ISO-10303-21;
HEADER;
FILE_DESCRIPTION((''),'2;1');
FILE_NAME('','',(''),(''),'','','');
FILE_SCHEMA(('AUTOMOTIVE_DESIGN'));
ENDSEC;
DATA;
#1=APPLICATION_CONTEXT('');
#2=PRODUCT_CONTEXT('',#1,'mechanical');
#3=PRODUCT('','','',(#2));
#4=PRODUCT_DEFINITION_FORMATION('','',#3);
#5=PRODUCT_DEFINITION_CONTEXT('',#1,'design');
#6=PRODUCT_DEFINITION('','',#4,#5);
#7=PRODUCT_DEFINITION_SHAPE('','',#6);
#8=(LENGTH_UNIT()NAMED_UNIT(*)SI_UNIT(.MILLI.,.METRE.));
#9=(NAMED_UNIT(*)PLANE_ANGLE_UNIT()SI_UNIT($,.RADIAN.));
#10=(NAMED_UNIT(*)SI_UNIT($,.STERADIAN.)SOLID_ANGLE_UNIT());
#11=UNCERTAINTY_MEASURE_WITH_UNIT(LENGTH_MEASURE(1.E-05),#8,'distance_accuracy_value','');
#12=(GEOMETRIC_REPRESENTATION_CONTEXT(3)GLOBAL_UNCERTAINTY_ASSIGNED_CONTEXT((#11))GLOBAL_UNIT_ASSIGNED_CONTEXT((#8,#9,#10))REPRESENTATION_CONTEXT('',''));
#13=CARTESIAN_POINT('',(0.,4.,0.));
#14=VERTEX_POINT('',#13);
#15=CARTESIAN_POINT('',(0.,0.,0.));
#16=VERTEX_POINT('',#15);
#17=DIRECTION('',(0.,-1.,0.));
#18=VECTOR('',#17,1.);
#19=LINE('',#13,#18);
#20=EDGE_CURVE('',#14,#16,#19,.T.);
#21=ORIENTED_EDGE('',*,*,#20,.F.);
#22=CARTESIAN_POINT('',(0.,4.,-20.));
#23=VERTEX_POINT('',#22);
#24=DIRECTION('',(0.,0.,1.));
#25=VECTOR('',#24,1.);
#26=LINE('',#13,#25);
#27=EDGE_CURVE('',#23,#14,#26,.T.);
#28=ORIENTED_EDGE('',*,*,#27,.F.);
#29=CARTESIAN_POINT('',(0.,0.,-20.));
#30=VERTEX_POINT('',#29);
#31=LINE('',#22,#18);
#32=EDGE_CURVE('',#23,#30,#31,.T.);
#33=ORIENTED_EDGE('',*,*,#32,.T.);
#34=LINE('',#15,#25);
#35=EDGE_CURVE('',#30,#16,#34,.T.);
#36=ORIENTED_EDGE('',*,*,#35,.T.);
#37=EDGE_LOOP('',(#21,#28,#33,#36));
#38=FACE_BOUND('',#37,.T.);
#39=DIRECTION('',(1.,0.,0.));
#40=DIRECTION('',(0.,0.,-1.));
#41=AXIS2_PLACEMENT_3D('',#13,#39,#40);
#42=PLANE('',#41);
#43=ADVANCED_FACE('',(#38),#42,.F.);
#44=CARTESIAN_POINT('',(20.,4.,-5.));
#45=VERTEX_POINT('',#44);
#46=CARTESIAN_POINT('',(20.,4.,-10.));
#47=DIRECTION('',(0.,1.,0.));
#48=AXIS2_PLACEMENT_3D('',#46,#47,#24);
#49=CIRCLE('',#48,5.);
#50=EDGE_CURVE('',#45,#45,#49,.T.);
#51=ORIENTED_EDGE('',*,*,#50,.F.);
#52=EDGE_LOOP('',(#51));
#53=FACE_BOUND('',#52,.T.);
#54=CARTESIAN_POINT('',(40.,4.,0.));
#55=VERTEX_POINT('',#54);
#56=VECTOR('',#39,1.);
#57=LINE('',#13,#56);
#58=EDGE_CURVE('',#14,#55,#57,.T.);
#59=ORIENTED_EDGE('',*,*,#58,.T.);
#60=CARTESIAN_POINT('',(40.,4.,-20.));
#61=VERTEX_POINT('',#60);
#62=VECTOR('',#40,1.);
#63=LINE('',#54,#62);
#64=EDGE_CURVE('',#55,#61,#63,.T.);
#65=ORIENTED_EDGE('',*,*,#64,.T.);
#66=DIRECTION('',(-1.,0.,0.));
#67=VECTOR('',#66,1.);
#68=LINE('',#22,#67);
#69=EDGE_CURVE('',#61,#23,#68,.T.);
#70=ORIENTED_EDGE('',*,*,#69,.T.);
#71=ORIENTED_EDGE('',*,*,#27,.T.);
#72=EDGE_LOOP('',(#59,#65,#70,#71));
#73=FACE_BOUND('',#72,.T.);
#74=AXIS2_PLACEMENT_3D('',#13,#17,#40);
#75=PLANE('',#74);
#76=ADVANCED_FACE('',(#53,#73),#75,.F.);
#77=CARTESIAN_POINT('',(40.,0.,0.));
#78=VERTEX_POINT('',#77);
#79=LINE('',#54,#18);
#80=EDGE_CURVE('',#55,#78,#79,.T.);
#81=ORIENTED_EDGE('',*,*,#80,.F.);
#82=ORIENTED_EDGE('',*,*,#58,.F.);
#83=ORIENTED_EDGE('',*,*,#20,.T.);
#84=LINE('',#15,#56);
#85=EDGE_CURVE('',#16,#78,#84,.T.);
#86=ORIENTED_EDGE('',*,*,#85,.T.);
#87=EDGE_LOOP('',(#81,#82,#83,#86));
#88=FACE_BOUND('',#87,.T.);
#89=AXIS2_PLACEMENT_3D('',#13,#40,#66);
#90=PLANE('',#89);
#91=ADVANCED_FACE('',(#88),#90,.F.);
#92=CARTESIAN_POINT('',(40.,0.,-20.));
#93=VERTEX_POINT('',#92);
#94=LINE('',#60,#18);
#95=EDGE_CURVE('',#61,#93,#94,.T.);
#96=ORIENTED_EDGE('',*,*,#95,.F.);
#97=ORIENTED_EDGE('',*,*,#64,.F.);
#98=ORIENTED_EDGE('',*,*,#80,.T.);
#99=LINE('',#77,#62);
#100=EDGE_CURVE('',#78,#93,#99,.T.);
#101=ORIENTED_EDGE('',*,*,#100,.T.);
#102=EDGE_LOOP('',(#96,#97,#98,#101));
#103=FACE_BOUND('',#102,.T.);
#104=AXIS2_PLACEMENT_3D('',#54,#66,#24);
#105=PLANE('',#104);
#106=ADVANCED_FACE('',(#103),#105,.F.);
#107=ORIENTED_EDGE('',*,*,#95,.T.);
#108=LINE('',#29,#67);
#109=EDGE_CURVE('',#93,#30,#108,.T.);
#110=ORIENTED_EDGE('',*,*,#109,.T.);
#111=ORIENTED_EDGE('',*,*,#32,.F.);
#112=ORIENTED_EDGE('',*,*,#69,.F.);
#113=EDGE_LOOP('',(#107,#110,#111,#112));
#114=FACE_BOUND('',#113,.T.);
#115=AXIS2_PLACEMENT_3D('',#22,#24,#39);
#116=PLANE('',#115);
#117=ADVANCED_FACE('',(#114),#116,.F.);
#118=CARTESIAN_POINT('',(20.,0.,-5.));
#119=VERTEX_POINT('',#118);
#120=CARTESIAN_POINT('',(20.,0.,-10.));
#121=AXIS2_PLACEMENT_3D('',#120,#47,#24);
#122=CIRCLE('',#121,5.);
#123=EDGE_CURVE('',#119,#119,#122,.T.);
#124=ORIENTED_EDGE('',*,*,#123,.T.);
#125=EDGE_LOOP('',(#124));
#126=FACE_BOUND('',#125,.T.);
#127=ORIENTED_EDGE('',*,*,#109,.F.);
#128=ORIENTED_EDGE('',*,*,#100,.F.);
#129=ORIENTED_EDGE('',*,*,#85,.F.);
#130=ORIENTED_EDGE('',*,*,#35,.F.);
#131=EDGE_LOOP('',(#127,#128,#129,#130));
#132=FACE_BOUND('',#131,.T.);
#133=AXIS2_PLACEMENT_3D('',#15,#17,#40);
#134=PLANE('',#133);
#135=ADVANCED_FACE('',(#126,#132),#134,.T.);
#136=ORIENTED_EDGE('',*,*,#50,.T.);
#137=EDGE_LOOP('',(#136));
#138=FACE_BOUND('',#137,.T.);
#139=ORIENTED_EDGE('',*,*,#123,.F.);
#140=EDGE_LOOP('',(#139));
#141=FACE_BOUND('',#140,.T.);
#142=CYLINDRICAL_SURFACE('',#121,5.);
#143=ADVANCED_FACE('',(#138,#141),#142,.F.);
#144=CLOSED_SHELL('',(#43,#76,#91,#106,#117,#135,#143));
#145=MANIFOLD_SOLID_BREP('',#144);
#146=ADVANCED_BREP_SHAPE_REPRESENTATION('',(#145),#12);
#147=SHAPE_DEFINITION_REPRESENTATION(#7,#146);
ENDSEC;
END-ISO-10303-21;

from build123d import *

# Parameters (mm, degrees)
SKETCH_1_W          = 40
SKETCH_1_H          = 20
EXTRUDE_1_DEPTH     = 4
SKETCH_2_R          = 5
CUT_EXTRUDE_1_DEPTH = 5


with BuildPart() as part:
    # Эскиз1 → Бобышка-Вытянуть1 (new body)
    with BuildSketch(Plane(origin=(0, 0, 0), x_dir=(1, 0, 0), z_dir=(0, 1, 0))):
        with Locations((20, 10)):
            Rectangle(SKETCH_1_W, SKETCH_1_H)
    extrude(amount=EXTRUDE_1_DEPTH)

    # Эскиз2 → Вырез-Вытянуть1 (cut, through all)
    with BuildSketch(Plane(origin=(0, 4, 0), x_dir=(1, 0, 0), z_dir=(0, 1, 0))):
        with Locations((20, 10)):
            Circle(SKETCH_2_R)
    extrude(amount=-CUT_EXTRUDE_1_DEPTH, mode=Mode.SUBTRACT)


solid = part.part
